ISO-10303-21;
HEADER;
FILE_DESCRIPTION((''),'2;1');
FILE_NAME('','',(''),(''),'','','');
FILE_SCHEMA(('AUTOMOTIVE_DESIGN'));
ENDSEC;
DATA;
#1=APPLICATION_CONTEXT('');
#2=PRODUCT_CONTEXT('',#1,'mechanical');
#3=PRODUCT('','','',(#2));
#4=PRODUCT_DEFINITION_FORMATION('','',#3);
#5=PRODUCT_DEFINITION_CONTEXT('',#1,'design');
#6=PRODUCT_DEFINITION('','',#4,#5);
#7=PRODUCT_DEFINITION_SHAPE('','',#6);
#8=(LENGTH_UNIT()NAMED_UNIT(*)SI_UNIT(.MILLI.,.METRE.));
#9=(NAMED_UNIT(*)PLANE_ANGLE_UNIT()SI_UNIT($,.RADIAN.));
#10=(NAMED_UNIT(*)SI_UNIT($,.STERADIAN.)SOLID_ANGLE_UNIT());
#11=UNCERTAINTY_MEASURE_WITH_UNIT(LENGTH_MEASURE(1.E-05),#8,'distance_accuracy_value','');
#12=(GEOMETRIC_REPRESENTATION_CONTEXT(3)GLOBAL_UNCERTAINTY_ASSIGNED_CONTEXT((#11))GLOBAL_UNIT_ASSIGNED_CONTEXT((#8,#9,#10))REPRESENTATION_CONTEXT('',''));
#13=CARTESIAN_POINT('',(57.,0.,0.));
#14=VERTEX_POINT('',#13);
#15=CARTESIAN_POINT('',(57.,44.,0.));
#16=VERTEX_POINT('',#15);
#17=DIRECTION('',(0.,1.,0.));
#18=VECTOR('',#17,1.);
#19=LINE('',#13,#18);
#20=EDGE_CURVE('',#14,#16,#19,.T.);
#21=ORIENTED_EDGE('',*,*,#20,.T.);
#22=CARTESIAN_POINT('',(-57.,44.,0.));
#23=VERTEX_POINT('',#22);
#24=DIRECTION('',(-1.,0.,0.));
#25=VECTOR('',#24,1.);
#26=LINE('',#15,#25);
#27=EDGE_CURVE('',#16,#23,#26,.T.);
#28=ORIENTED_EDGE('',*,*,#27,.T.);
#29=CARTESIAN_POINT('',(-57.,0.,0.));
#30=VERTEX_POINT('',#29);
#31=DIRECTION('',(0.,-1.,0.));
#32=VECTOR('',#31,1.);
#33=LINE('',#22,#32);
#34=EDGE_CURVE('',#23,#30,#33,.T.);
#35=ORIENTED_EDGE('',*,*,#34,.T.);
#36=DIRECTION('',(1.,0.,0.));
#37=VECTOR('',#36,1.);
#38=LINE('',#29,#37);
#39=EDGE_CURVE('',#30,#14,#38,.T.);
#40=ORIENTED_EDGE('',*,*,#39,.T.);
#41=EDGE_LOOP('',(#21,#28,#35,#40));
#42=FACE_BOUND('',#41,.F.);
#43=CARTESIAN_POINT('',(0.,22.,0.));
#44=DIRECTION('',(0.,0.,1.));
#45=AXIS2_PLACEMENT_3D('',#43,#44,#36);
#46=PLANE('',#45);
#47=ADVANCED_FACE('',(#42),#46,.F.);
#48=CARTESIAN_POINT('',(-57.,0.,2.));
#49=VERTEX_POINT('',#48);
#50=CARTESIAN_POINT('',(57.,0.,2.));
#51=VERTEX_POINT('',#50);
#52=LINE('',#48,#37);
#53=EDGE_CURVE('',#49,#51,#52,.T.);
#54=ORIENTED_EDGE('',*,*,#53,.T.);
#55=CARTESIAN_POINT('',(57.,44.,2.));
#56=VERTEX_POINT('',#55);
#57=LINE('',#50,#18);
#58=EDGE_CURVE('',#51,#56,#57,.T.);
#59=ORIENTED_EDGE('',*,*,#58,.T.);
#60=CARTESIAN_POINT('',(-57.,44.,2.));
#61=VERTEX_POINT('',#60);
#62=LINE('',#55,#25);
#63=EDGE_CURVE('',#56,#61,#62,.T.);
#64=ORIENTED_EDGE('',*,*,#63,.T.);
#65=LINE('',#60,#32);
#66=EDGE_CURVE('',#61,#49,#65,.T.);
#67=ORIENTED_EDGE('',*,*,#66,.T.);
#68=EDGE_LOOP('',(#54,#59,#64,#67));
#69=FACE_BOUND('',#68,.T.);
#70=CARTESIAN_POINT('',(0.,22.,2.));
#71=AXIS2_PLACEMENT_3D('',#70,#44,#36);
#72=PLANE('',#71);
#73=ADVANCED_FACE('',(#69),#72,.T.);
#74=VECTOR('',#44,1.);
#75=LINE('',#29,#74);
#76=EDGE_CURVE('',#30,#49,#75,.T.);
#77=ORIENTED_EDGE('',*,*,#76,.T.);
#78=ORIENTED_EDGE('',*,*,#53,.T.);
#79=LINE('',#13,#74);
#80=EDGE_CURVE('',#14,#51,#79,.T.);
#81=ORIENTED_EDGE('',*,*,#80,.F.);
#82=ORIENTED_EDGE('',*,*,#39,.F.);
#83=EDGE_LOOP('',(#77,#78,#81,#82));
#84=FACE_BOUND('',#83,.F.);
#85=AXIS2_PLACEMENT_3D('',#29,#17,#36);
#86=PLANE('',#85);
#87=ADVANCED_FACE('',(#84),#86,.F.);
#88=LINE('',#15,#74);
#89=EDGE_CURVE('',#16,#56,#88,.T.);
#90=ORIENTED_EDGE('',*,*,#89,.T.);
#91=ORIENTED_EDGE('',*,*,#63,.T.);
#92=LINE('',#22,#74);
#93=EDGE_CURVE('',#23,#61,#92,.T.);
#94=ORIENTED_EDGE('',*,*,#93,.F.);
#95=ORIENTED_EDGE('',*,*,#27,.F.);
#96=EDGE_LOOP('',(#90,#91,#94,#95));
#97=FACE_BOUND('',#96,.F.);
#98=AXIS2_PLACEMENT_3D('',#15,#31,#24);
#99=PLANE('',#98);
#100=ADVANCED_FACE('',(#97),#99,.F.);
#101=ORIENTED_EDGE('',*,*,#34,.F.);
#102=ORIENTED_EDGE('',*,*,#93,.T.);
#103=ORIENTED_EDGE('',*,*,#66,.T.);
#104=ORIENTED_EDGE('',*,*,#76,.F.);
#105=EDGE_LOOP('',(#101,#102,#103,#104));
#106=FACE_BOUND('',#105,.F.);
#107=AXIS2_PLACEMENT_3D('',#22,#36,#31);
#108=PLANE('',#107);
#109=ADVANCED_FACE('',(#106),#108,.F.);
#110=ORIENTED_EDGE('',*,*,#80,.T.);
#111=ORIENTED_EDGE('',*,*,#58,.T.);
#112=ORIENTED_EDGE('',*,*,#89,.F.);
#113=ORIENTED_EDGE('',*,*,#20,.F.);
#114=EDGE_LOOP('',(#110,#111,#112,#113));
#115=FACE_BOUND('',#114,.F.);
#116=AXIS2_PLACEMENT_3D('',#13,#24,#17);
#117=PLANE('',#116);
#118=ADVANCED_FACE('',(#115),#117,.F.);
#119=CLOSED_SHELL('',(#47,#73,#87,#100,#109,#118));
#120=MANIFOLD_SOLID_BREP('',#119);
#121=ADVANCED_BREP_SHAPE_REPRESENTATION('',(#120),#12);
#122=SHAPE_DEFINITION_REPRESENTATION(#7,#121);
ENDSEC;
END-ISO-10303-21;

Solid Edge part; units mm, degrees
sketch "Sketch1" plane through (0, 0, 0) normal (0, 0, 1) x (1, 0, 0)
  line L0 (-57, 0) -> (57, 0)
  line L1 (57, 0) -> (57, 44)
  line L2 (57, 44) -> (-57, 44)
  line L3 (-57, 44) -> (-57, 0)
extrude "Protrusion1" add sketch "Sketch1" along normal blind 2
